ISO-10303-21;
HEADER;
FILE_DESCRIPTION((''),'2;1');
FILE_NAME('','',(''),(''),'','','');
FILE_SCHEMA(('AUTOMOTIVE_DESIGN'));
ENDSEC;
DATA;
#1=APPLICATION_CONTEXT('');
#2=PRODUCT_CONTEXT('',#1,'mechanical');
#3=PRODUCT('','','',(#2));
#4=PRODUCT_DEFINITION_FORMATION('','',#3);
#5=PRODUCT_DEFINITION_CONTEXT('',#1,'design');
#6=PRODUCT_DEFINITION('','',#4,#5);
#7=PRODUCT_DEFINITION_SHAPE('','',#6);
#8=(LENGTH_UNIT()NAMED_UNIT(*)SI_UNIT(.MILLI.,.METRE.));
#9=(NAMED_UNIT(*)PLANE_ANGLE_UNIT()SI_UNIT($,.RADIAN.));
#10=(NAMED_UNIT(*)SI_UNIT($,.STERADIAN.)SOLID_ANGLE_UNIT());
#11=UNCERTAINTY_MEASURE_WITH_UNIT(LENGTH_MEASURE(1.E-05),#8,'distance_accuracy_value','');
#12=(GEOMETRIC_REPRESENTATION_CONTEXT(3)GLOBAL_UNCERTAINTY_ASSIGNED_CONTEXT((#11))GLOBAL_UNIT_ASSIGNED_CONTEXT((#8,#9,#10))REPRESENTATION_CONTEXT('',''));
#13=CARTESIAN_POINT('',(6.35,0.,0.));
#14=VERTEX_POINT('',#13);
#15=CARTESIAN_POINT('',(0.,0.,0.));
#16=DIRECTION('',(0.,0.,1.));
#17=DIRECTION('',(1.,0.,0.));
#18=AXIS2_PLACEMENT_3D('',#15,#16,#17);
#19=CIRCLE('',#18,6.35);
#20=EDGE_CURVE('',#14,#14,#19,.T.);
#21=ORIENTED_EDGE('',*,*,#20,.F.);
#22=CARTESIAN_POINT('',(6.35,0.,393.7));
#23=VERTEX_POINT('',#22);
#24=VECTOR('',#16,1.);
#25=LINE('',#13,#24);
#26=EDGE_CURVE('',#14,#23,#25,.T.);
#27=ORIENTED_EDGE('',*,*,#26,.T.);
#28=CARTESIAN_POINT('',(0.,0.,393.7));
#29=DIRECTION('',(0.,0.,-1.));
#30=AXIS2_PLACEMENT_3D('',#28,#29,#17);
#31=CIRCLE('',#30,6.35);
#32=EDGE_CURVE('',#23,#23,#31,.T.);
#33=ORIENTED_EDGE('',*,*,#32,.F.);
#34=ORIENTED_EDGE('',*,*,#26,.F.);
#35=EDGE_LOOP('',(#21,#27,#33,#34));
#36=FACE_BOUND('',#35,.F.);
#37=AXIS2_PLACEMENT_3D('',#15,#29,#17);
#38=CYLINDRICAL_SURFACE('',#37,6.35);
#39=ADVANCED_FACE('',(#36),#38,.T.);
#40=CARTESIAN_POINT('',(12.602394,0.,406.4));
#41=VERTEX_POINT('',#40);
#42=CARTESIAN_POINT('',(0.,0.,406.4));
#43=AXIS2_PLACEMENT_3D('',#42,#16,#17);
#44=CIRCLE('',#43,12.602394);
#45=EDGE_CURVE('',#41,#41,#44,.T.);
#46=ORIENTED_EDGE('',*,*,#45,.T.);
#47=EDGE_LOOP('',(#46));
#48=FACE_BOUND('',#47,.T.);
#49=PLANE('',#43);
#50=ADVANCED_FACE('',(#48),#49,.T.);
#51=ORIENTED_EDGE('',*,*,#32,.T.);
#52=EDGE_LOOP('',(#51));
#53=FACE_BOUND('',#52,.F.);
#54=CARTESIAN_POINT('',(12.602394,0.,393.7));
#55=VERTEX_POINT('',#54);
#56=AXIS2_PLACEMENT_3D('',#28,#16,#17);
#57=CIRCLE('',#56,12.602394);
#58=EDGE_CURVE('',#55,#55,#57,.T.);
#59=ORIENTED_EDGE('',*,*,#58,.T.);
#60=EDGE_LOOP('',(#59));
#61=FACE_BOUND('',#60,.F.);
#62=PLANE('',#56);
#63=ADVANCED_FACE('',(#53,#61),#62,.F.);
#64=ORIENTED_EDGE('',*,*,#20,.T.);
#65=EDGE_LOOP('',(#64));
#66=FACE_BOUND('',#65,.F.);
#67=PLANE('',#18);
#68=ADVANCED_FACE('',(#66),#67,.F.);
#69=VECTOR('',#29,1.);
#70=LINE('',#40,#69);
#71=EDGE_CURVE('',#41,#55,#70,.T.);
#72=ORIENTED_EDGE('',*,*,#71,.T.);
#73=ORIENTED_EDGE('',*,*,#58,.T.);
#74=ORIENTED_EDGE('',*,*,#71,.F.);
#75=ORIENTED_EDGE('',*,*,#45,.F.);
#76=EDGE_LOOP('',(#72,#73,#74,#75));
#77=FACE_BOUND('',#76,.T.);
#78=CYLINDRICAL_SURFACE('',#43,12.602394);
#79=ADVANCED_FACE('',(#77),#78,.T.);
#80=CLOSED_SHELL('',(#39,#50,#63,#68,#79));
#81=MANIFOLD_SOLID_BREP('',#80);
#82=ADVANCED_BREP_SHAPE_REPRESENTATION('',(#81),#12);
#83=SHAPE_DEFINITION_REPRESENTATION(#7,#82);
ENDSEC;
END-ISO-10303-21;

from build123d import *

# Parameters (mm, degrees)
F0_R     = 6.35
F1_DEPTH = 406.4
F2_R     = 12.602394
F3_DEPTH = 12.7


with BuildPart() as f1:
    # F0 (on Top) → F1 (new body)
    with BuildSketch(Plane.XY):
        Circle(F0_R)
    extrude(amount=F1_DEPTH)

    # F2 (on face) → F3 (join)
    with BuildSketch(Plane.XY.offset(406.4)):
        Circle(F2_R)
    extrude(amount=-F3_DEPTH)


solid = f1.part
